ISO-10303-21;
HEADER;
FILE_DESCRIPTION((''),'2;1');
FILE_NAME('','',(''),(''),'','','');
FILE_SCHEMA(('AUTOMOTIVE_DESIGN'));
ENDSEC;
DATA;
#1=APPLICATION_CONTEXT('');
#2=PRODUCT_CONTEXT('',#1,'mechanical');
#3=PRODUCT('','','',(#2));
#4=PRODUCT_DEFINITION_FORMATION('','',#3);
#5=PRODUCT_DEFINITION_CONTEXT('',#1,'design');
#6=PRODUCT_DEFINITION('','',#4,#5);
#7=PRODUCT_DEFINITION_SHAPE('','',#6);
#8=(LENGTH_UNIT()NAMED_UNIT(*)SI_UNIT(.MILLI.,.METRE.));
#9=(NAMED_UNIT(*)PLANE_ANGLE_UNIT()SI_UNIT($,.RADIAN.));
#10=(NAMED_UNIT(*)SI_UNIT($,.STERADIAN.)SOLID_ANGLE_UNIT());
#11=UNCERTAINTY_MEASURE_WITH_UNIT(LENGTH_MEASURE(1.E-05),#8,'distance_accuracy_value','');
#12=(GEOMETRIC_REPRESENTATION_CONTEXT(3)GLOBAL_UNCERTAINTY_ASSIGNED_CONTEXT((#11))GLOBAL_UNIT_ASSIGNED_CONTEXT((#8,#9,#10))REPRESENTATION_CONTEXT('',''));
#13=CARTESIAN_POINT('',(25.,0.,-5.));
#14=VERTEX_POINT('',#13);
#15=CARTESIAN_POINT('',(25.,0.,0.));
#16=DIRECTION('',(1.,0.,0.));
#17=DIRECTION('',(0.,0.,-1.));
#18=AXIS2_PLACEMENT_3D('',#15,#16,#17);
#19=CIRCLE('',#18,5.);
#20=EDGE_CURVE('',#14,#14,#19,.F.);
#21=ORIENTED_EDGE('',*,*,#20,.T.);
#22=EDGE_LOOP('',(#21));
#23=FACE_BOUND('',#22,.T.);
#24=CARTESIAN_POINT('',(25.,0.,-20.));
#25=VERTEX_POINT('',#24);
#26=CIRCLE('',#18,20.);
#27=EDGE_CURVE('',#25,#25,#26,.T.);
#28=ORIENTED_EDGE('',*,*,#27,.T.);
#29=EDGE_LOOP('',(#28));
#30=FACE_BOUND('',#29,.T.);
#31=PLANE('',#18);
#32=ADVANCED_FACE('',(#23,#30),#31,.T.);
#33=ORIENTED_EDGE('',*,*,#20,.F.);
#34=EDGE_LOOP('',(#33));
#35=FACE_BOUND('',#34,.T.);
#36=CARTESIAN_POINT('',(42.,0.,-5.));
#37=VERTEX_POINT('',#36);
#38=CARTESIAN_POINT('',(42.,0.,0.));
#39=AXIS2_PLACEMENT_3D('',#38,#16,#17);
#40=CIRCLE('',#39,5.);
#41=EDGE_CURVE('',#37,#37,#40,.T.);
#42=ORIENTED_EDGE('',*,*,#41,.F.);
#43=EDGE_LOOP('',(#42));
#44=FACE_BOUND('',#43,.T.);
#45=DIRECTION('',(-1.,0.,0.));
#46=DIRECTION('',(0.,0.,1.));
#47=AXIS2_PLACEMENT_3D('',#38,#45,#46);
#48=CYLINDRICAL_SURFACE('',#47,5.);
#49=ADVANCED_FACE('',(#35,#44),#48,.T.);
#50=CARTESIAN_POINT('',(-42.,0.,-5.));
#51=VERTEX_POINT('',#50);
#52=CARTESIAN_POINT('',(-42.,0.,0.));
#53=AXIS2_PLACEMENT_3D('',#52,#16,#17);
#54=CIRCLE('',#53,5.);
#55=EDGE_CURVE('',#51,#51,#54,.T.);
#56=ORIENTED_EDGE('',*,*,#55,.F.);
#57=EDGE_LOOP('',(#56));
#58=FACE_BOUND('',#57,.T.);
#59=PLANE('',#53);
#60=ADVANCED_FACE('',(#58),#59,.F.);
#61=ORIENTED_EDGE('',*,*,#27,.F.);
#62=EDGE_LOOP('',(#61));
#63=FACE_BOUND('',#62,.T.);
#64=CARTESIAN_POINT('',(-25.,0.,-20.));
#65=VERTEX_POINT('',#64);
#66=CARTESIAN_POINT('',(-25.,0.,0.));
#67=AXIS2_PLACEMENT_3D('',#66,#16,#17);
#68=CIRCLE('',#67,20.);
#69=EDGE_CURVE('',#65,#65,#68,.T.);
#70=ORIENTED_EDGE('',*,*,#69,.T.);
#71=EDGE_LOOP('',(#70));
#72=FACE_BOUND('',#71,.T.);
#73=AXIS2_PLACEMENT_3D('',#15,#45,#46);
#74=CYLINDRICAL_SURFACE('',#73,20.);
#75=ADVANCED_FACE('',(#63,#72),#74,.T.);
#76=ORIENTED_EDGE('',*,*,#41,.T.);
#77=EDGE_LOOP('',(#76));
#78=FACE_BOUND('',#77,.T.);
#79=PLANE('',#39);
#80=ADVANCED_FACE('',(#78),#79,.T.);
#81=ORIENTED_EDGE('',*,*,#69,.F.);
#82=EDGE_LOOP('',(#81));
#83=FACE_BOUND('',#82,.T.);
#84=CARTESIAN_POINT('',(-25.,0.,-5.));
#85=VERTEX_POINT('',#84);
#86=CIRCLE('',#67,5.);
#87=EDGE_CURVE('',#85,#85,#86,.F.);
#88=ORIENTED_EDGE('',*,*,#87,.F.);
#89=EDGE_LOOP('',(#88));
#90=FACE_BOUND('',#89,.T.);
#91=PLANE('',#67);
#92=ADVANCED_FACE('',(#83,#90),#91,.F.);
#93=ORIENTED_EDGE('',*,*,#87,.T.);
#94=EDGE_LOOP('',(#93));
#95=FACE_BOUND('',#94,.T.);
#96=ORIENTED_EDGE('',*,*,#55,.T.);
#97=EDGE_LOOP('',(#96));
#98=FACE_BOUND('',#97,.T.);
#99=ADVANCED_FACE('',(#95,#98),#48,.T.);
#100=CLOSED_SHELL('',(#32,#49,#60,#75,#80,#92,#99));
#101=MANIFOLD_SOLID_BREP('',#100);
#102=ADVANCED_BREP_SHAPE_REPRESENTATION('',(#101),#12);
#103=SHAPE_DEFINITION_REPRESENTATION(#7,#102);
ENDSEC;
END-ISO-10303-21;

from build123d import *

# Parameters (mm, degrees)
SKETCH_1_R      = 20
EXTRUDE_1_DEPTH = 25
SKETCH_2_R      = 5
EXTRUDE_2_DEPTH = 42


with BuildPart() as part:
    # 草图1 → 凸台-拉伸1 (new body, symmetric)
    with BuildSketch(Plane(origin=(0, 0, 0), x_dir=(0, 0, -1), z_dir=(1, 0, 0))):
        Circle(SKETCH_1_R)
    extrude(amount=EXTRUDE_1_DEPTH, both=True)

    # 草图2 → 凸台-拉伸2 (add, symmetric)
    with BuildSketch(Plane(origin=(0, 0, 0), x_dir=(0, 0, -1), z_dir=(1, 0, 0))):
        Circle(SKETCH_2_R)
    extrude(amount=EXTRUDE_2_DEPTH, both=True)


solid = part.part
